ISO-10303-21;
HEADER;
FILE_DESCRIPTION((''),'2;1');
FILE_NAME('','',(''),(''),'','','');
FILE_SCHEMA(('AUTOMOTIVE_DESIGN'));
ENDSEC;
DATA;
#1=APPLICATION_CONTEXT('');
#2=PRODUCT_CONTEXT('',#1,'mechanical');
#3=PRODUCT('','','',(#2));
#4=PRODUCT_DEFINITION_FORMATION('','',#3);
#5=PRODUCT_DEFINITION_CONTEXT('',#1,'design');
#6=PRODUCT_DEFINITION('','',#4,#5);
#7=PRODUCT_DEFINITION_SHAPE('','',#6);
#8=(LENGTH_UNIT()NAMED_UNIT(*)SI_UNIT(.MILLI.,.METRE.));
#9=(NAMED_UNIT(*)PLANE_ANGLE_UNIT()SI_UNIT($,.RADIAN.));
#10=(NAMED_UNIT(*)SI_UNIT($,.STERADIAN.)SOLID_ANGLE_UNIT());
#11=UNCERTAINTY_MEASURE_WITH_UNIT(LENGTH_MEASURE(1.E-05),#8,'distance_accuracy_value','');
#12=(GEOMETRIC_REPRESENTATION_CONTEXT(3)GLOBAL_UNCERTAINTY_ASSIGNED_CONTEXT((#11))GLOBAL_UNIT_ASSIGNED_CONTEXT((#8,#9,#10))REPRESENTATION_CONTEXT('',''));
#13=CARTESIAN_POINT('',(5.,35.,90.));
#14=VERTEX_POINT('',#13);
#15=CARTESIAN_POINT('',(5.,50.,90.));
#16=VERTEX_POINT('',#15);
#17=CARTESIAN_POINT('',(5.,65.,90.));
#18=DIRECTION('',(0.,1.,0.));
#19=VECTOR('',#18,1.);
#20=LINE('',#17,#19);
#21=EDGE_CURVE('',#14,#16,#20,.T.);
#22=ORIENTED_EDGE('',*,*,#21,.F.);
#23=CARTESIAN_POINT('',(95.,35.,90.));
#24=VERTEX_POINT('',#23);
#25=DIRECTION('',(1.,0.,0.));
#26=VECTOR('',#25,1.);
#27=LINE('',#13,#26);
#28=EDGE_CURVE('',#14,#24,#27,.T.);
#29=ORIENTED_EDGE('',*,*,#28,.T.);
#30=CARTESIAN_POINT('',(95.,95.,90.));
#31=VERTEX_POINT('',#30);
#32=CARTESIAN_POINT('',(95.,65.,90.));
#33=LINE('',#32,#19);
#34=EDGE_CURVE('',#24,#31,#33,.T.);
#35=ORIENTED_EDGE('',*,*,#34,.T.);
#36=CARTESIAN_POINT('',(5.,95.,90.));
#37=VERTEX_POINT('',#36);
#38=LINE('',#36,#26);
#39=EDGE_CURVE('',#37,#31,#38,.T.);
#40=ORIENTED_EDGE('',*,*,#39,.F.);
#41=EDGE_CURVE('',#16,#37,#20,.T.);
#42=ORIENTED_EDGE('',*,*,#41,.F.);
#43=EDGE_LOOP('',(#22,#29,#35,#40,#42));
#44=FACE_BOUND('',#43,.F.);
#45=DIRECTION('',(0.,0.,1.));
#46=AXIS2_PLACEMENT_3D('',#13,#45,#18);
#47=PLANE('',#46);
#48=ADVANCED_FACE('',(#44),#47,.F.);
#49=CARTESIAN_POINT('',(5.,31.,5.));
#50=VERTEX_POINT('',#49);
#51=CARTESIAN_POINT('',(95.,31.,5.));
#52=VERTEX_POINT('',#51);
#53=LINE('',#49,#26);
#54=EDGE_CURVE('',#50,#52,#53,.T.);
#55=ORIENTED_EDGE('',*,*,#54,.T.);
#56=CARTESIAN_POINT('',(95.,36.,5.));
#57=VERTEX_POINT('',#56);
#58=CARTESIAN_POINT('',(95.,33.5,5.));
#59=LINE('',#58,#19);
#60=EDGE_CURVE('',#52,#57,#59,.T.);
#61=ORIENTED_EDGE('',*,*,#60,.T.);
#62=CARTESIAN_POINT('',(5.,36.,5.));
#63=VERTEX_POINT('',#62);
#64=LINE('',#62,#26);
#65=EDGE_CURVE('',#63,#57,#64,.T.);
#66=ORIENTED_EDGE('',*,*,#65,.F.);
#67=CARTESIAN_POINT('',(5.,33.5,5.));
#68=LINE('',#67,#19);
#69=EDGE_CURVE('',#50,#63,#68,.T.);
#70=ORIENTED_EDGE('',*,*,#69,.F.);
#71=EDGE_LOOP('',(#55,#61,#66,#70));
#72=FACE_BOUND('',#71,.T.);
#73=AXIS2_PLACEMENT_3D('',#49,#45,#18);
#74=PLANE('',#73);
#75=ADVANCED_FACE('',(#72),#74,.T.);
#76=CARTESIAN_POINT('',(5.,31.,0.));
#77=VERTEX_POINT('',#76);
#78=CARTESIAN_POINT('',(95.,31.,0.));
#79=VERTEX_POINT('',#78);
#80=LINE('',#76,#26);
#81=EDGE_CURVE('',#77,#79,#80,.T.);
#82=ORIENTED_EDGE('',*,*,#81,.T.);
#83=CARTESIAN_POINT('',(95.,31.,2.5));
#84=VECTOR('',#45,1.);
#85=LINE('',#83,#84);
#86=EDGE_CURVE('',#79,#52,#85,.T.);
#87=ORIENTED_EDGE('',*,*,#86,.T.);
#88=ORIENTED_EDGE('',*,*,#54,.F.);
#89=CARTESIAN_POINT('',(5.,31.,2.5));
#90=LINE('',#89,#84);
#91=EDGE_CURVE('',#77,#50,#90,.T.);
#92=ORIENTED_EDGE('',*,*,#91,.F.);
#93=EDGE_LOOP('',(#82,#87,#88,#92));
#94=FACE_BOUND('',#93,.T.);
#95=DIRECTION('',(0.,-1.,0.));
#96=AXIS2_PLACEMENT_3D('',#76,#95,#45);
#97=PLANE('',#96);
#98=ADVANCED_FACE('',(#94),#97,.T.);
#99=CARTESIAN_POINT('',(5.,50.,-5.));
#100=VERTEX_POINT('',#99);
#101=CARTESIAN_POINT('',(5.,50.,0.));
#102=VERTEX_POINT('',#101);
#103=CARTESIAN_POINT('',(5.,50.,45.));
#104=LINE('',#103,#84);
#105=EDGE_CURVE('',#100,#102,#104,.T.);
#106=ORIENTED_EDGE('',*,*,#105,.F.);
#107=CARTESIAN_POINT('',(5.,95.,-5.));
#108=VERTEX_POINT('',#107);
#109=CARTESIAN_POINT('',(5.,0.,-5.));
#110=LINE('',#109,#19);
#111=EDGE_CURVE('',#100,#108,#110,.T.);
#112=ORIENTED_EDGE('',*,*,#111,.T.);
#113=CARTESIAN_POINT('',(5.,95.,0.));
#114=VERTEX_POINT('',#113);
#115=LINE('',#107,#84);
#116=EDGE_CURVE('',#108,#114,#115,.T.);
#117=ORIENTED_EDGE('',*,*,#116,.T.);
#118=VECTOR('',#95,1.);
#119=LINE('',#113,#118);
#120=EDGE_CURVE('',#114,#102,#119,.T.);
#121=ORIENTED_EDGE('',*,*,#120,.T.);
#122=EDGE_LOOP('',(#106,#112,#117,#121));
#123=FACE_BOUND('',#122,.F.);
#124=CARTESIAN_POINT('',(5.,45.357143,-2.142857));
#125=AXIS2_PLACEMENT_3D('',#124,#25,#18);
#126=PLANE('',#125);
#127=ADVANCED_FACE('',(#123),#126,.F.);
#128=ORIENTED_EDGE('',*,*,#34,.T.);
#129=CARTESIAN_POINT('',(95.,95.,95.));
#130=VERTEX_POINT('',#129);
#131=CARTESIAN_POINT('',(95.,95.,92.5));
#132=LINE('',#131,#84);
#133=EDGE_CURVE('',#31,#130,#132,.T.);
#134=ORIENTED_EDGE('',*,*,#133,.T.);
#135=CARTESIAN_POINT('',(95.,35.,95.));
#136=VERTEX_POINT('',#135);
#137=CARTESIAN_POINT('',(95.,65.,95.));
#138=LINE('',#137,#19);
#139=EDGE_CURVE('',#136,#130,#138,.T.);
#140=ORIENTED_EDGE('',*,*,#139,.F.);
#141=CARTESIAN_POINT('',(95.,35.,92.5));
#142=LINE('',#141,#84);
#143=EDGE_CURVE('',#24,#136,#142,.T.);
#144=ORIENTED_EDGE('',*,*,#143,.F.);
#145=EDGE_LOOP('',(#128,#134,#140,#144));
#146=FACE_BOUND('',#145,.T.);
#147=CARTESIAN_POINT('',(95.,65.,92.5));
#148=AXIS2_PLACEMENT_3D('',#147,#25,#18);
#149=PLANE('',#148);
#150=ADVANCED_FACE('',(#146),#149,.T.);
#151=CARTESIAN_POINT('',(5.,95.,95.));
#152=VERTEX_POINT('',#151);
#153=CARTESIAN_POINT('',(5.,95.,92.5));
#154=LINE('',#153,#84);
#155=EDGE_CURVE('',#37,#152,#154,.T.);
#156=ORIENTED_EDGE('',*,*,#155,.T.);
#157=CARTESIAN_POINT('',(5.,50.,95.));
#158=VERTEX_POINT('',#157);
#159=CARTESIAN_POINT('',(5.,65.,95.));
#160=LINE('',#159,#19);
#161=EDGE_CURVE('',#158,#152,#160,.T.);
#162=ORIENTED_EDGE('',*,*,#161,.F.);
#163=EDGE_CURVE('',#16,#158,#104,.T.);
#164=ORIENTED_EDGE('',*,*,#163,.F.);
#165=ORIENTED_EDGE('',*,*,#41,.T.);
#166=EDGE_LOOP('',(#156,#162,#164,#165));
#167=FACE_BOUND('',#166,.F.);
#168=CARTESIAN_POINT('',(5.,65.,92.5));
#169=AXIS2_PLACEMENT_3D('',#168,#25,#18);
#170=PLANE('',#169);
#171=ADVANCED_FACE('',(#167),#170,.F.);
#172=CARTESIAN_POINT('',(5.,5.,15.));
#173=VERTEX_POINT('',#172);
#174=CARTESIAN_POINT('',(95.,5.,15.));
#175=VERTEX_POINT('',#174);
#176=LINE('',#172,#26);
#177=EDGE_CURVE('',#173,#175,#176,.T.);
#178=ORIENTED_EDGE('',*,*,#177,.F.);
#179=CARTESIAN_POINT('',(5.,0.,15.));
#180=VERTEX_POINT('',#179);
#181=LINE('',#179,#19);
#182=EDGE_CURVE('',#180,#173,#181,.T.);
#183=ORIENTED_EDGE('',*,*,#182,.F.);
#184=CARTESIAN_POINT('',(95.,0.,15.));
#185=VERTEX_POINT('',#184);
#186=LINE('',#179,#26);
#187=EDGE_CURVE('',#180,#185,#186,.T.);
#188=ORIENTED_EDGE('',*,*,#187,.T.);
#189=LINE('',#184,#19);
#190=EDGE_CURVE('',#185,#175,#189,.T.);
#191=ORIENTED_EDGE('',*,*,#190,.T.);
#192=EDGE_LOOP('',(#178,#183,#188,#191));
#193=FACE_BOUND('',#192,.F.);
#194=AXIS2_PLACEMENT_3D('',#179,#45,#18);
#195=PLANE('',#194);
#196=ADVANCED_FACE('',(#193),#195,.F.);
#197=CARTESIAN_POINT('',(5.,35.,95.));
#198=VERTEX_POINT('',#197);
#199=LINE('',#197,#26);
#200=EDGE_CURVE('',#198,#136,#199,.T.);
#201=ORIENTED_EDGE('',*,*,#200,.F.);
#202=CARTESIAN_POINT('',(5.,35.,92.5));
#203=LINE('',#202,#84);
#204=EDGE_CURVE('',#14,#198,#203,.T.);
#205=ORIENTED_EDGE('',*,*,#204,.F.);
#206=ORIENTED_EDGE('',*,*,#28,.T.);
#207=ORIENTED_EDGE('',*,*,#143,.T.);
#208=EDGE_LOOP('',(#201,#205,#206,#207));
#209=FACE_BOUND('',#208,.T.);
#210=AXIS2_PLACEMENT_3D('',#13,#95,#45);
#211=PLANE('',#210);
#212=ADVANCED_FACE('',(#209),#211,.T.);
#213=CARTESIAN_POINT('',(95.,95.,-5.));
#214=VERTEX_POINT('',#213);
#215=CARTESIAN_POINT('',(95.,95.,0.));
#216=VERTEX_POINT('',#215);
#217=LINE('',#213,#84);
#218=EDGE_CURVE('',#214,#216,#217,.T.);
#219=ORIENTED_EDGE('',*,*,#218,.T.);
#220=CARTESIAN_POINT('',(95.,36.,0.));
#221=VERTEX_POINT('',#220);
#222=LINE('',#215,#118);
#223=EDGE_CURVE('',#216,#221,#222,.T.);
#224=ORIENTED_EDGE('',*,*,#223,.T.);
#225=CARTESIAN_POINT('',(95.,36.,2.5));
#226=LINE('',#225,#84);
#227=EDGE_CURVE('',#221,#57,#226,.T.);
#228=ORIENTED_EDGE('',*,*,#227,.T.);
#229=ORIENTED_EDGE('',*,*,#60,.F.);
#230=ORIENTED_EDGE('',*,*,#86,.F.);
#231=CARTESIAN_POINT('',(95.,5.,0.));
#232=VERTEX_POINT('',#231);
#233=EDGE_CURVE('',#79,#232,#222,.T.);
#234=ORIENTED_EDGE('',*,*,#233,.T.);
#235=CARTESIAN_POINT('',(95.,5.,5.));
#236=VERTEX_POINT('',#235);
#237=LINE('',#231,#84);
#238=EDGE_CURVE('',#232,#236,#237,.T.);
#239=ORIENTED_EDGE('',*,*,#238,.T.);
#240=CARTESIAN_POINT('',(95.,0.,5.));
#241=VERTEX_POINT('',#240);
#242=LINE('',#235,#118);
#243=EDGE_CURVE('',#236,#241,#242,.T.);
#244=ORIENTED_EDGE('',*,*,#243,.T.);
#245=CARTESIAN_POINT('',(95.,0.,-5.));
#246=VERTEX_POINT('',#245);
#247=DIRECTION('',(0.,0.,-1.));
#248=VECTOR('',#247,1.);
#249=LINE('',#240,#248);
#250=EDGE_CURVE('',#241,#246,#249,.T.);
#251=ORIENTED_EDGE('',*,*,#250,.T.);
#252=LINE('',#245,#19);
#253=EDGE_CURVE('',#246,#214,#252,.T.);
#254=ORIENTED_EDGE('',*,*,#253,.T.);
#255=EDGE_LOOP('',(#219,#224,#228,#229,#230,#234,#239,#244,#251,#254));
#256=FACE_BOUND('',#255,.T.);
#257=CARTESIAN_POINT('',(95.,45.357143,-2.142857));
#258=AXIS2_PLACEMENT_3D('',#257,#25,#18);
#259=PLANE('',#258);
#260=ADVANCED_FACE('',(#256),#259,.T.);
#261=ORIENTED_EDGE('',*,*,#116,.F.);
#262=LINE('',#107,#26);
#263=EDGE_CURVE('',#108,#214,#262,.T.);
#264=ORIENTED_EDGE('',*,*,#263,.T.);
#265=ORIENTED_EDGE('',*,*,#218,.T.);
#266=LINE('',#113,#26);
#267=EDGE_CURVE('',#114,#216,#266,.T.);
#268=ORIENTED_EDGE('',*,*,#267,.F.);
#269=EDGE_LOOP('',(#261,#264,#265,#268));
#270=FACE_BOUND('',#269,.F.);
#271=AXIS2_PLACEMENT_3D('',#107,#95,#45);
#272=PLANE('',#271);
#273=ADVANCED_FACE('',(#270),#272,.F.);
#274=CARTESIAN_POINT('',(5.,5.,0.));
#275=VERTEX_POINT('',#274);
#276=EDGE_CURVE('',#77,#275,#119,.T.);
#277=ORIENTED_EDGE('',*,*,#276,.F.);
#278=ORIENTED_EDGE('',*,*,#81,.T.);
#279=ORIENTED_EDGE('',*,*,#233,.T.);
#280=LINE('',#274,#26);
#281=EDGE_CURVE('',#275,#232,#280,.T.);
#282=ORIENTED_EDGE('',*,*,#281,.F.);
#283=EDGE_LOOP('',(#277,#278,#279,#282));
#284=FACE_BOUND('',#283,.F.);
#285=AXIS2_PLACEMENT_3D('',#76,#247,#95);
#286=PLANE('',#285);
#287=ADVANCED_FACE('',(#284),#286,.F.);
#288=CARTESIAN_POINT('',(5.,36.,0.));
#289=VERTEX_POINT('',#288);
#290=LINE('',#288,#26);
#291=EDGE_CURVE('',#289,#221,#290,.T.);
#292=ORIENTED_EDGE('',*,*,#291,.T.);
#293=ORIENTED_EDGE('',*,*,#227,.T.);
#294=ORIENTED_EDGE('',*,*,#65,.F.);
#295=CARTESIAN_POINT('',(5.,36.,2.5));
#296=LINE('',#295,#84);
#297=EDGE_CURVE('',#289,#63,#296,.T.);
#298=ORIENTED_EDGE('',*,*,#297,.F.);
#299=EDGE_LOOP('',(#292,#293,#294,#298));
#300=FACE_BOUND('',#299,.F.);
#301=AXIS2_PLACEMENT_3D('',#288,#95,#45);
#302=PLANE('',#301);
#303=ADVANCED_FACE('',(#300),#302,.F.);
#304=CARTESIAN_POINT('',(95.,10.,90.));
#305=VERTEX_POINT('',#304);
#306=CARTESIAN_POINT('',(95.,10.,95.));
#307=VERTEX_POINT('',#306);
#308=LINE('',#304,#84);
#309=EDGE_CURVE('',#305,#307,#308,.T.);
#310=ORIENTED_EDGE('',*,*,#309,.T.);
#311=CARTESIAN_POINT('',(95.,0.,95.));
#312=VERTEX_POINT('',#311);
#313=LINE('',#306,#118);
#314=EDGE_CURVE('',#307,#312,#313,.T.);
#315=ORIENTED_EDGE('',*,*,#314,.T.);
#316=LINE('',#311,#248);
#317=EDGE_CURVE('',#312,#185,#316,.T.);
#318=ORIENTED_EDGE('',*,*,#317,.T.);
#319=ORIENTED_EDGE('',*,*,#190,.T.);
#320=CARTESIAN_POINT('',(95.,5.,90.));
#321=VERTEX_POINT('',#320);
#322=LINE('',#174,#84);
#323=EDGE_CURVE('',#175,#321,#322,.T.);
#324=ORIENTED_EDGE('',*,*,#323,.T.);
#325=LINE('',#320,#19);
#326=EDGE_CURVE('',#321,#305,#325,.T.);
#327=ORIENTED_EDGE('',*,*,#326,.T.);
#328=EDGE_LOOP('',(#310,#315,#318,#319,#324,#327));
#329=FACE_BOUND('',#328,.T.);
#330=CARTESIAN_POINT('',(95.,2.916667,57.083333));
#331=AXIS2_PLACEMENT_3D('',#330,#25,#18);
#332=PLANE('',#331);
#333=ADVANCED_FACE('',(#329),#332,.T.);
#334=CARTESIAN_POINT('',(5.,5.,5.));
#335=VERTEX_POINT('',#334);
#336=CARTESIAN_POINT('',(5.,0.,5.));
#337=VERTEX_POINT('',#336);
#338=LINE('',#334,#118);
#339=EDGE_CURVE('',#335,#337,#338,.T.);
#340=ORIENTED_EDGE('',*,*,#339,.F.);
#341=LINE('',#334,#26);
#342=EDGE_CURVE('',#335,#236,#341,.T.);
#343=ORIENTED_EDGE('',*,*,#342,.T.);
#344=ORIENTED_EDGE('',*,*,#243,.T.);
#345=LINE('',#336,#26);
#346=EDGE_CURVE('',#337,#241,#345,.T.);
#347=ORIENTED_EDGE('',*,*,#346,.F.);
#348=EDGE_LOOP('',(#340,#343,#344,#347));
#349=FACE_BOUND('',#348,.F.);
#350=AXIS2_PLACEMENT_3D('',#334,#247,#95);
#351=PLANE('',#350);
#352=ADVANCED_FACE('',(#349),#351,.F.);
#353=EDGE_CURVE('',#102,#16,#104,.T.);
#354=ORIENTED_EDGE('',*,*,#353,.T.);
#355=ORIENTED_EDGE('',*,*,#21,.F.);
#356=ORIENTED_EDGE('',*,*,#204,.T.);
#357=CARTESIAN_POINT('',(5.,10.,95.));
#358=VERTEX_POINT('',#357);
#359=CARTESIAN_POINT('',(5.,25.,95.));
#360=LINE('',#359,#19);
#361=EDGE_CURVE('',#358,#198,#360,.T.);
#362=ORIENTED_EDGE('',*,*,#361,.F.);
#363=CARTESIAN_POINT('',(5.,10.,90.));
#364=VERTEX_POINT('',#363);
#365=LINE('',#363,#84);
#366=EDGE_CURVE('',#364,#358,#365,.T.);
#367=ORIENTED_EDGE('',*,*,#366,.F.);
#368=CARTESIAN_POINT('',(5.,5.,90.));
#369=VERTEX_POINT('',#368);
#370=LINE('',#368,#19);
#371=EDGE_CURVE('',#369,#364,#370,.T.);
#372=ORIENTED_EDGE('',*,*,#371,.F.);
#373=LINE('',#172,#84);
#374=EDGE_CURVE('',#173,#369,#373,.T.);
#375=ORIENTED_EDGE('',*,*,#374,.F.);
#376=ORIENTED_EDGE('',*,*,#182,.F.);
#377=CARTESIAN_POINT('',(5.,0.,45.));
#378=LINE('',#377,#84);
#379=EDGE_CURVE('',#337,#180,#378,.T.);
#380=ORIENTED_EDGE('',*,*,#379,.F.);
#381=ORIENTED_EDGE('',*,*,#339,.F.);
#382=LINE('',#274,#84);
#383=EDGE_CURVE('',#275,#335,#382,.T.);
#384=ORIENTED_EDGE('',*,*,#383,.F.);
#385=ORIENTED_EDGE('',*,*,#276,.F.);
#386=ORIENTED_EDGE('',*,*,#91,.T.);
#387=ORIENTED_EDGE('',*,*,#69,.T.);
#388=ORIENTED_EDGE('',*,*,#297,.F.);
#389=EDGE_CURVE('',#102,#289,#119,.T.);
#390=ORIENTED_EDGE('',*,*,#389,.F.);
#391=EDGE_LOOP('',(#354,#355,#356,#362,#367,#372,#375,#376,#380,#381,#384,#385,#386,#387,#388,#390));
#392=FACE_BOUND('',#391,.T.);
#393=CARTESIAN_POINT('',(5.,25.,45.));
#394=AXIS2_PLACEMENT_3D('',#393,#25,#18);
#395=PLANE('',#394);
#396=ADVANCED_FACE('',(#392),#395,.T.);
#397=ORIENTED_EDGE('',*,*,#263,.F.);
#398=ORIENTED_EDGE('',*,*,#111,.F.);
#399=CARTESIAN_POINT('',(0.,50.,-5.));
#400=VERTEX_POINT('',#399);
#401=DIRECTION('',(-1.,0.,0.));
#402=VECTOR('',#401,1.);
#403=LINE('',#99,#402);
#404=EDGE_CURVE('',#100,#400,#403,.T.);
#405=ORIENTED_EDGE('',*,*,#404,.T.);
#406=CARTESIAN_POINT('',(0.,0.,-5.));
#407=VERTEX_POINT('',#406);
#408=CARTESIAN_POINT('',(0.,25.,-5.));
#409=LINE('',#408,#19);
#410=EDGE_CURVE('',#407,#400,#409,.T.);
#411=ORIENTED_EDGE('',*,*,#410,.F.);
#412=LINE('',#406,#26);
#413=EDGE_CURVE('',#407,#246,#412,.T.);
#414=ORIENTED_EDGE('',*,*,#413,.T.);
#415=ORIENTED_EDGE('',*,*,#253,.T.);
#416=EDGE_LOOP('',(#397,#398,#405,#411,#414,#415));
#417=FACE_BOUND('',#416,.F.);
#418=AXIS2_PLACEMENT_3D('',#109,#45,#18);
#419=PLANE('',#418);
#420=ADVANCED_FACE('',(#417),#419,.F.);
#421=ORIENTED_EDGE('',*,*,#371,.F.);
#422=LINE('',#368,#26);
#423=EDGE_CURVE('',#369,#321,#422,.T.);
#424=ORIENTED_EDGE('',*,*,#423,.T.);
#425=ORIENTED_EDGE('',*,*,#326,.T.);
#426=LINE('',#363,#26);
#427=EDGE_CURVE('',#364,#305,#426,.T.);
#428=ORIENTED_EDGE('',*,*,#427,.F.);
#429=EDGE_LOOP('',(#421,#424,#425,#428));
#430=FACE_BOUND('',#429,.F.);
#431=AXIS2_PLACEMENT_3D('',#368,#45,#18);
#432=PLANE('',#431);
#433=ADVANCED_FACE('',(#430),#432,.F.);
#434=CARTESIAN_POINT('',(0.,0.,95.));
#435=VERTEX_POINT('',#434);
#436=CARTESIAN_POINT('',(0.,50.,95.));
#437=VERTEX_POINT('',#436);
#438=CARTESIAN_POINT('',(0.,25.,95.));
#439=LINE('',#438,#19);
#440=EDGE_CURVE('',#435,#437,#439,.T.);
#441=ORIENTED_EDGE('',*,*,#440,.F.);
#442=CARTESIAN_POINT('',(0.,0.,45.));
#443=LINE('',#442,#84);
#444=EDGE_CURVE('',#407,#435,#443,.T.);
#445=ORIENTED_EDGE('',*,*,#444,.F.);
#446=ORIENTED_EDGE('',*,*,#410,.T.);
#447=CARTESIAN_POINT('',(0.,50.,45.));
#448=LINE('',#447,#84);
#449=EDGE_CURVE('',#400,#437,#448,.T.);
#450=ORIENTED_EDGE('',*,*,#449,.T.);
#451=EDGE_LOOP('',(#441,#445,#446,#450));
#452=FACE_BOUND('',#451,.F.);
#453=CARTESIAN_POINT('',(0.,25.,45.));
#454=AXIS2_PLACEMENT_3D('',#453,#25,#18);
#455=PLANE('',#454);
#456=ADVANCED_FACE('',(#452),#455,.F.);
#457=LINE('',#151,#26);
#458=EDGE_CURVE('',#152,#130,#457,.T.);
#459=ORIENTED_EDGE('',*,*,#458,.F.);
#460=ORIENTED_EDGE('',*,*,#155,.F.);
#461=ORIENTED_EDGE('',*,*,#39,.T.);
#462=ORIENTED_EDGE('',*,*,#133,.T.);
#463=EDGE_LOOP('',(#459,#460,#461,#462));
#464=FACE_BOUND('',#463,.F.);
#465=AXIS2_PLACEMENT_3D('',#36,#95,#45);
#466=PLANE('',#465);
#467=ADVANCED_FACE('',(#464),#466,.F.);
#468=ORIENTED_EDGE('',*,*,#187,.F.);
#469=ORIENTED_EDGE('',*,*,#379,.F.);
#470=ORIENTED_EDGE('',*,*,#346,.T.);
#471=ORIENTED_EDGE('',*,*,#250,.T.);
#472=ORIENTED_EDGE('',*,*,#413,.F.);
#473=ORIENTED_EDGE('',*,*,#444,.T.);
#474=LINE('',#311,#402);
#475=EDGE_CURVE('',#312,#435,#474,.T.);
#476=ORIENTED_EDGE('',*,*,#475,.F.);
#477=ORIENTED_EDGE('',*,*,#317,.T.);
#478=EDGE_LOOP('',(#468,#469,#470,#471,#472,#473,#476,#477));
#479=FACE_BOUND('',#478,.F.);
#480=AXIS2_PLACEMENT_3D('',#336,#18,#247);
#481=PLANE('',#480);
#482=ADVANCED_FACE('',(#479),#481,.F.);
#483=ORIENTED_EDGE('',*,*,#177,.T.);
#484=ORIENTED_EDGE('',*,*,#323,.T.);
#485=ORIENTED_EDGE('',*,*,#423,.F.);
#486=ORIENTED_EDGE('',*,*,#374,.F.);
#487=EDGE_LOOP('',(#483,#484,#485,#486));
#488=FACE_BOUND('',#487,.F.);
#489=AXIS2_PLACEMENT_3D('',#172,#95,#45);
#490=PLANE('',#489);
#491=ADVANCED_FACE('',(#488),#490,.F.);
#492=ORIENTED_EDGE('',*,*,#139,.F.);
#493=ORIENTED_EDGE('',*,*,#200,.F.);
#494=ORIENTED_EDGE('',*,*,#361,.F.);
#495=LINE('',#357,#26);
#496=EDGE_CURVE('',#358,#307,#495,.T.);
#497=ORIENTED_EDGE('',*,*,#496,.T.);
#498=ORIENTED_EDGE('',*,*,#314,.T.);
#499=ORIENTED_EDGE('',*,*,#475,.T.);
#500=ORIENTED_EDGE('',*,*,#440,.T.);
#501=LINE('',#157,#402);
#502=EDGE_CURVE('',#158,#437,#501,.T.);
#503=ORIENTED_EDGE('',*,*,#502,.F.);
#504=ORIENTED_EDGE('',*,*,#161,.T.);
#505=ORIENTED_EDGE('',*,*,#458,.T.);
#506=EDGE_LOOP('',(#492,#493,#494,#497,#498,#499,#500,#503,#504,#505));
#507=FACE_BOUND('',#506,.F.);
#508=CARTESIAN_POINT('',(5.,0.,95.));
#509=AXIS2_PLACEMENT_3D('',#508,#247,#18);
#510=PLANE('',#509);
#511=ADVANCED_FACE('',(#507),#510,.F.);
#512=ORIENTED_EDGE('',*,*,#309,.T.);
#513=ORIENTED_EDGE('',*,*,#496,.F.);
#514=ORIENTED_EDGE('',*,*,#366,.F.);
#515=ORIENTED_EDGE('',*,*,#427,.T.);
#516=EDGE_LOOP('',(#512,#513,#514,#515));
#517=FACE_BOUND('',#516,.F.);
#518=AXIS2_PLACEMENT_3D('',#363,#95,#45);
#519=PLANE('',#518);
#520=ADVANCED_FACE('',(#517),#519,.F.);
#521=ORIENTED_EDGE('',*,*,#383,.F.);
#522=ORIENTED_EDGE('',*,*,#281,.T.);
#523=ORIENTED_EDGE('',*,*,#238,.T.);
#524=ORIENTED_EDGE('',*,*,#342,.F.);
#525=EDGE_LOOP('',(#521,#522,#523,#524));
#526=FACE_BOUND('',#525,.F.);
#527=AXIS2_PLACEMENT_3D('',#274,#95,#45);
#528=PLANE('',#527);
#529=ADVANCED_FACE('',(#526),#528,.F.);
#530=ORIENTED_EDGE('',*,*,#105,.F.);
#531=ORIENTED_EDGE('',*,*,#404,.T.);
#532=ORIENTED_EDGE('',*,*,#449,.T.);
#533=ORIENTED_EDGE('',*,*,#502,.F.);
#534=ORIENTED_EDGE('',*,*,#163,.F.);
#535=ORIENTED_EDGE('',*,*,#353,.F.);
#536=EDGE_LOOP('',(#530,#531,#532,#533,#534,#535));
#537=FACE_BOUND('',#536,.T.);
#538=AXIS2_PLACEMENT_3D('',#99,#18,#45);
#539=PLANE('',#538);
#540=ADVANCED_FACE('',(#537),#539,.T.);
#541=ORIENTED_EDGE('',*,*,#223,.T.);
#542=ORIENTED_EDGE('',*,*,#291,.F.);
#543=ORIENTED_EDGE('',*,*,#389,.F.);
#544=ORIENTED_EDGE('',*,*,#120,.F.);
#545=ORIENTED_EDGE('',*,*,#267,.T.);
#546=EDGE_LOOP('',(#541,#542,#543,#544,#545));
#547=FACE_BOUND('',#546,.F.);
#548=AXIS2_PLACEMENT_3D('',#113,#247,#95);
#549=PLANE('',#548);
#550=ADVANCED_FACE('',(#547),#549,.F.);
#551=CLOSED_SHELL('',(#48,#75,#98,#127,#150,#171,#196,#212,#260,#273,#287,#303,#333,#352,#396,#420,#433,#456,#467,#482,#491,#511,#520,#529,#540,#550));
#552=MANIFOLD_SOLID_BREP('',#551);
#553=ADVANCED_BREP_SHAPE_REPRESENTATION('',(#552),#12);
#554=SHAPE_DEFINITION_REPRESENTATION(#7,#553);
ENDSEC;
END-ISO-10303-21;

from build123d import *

# Parameters (mm, degrees)
F3_W     = 50
F3_H     = 100
F4_DEPTH = 5
F0_W     = 5
F0_H     = 5
F2_W     = 60
F2_H     = 5
F5_DEPTH = 90
F6_ANGLE = 90
F7_ANGLE = 90


with BuildPart() as f4:
    # F3 (on Top) → F4 (new body)
    with BuildSketch(Plane.XY):
        with Locations((25, 50)):
            Rectangle(F3_W, F3_H)
    extrude(amount=-F4_DEPTH)

    # F0 (on Top) + F1 (on Top) + F2 (on Top) → F5 (join)
    with BuildSketch(Plane.XY):
        Polygon((0, 10), (0, 0), (95, 0), (95, 5), (36, 5), (31, 5), (5, 5), (5, 10), align=None)
        with Locations((33.5, 7.5)):
            Rectangle(F0_W, F0_H)
    with BuildSketch(Plane.XY):
        Polygon((0, 100), (0, 20), (5, 20), (5, 95), (10, 95), (10, 100), align=None)
    with BuildSketch(Plane.XY):
        with Locations((65, 97.5)):
            Rectangle(F2_W, F2_H)
    extrude(amount=F5_DEPTH)


with BuildPart() as f4_1:
    # F6: moved
    add(f4.part.rotate(Axis((25, 0, -5), (1, 0, 0)), F6_ANGLE))


with BuildPart() as f4_2:
    # F7: moved
    add(f4_1.part.rotate(Axis((0, 0, 45), (0, 0, 1)), F7_ANGLE))


solid = f4_2.part
